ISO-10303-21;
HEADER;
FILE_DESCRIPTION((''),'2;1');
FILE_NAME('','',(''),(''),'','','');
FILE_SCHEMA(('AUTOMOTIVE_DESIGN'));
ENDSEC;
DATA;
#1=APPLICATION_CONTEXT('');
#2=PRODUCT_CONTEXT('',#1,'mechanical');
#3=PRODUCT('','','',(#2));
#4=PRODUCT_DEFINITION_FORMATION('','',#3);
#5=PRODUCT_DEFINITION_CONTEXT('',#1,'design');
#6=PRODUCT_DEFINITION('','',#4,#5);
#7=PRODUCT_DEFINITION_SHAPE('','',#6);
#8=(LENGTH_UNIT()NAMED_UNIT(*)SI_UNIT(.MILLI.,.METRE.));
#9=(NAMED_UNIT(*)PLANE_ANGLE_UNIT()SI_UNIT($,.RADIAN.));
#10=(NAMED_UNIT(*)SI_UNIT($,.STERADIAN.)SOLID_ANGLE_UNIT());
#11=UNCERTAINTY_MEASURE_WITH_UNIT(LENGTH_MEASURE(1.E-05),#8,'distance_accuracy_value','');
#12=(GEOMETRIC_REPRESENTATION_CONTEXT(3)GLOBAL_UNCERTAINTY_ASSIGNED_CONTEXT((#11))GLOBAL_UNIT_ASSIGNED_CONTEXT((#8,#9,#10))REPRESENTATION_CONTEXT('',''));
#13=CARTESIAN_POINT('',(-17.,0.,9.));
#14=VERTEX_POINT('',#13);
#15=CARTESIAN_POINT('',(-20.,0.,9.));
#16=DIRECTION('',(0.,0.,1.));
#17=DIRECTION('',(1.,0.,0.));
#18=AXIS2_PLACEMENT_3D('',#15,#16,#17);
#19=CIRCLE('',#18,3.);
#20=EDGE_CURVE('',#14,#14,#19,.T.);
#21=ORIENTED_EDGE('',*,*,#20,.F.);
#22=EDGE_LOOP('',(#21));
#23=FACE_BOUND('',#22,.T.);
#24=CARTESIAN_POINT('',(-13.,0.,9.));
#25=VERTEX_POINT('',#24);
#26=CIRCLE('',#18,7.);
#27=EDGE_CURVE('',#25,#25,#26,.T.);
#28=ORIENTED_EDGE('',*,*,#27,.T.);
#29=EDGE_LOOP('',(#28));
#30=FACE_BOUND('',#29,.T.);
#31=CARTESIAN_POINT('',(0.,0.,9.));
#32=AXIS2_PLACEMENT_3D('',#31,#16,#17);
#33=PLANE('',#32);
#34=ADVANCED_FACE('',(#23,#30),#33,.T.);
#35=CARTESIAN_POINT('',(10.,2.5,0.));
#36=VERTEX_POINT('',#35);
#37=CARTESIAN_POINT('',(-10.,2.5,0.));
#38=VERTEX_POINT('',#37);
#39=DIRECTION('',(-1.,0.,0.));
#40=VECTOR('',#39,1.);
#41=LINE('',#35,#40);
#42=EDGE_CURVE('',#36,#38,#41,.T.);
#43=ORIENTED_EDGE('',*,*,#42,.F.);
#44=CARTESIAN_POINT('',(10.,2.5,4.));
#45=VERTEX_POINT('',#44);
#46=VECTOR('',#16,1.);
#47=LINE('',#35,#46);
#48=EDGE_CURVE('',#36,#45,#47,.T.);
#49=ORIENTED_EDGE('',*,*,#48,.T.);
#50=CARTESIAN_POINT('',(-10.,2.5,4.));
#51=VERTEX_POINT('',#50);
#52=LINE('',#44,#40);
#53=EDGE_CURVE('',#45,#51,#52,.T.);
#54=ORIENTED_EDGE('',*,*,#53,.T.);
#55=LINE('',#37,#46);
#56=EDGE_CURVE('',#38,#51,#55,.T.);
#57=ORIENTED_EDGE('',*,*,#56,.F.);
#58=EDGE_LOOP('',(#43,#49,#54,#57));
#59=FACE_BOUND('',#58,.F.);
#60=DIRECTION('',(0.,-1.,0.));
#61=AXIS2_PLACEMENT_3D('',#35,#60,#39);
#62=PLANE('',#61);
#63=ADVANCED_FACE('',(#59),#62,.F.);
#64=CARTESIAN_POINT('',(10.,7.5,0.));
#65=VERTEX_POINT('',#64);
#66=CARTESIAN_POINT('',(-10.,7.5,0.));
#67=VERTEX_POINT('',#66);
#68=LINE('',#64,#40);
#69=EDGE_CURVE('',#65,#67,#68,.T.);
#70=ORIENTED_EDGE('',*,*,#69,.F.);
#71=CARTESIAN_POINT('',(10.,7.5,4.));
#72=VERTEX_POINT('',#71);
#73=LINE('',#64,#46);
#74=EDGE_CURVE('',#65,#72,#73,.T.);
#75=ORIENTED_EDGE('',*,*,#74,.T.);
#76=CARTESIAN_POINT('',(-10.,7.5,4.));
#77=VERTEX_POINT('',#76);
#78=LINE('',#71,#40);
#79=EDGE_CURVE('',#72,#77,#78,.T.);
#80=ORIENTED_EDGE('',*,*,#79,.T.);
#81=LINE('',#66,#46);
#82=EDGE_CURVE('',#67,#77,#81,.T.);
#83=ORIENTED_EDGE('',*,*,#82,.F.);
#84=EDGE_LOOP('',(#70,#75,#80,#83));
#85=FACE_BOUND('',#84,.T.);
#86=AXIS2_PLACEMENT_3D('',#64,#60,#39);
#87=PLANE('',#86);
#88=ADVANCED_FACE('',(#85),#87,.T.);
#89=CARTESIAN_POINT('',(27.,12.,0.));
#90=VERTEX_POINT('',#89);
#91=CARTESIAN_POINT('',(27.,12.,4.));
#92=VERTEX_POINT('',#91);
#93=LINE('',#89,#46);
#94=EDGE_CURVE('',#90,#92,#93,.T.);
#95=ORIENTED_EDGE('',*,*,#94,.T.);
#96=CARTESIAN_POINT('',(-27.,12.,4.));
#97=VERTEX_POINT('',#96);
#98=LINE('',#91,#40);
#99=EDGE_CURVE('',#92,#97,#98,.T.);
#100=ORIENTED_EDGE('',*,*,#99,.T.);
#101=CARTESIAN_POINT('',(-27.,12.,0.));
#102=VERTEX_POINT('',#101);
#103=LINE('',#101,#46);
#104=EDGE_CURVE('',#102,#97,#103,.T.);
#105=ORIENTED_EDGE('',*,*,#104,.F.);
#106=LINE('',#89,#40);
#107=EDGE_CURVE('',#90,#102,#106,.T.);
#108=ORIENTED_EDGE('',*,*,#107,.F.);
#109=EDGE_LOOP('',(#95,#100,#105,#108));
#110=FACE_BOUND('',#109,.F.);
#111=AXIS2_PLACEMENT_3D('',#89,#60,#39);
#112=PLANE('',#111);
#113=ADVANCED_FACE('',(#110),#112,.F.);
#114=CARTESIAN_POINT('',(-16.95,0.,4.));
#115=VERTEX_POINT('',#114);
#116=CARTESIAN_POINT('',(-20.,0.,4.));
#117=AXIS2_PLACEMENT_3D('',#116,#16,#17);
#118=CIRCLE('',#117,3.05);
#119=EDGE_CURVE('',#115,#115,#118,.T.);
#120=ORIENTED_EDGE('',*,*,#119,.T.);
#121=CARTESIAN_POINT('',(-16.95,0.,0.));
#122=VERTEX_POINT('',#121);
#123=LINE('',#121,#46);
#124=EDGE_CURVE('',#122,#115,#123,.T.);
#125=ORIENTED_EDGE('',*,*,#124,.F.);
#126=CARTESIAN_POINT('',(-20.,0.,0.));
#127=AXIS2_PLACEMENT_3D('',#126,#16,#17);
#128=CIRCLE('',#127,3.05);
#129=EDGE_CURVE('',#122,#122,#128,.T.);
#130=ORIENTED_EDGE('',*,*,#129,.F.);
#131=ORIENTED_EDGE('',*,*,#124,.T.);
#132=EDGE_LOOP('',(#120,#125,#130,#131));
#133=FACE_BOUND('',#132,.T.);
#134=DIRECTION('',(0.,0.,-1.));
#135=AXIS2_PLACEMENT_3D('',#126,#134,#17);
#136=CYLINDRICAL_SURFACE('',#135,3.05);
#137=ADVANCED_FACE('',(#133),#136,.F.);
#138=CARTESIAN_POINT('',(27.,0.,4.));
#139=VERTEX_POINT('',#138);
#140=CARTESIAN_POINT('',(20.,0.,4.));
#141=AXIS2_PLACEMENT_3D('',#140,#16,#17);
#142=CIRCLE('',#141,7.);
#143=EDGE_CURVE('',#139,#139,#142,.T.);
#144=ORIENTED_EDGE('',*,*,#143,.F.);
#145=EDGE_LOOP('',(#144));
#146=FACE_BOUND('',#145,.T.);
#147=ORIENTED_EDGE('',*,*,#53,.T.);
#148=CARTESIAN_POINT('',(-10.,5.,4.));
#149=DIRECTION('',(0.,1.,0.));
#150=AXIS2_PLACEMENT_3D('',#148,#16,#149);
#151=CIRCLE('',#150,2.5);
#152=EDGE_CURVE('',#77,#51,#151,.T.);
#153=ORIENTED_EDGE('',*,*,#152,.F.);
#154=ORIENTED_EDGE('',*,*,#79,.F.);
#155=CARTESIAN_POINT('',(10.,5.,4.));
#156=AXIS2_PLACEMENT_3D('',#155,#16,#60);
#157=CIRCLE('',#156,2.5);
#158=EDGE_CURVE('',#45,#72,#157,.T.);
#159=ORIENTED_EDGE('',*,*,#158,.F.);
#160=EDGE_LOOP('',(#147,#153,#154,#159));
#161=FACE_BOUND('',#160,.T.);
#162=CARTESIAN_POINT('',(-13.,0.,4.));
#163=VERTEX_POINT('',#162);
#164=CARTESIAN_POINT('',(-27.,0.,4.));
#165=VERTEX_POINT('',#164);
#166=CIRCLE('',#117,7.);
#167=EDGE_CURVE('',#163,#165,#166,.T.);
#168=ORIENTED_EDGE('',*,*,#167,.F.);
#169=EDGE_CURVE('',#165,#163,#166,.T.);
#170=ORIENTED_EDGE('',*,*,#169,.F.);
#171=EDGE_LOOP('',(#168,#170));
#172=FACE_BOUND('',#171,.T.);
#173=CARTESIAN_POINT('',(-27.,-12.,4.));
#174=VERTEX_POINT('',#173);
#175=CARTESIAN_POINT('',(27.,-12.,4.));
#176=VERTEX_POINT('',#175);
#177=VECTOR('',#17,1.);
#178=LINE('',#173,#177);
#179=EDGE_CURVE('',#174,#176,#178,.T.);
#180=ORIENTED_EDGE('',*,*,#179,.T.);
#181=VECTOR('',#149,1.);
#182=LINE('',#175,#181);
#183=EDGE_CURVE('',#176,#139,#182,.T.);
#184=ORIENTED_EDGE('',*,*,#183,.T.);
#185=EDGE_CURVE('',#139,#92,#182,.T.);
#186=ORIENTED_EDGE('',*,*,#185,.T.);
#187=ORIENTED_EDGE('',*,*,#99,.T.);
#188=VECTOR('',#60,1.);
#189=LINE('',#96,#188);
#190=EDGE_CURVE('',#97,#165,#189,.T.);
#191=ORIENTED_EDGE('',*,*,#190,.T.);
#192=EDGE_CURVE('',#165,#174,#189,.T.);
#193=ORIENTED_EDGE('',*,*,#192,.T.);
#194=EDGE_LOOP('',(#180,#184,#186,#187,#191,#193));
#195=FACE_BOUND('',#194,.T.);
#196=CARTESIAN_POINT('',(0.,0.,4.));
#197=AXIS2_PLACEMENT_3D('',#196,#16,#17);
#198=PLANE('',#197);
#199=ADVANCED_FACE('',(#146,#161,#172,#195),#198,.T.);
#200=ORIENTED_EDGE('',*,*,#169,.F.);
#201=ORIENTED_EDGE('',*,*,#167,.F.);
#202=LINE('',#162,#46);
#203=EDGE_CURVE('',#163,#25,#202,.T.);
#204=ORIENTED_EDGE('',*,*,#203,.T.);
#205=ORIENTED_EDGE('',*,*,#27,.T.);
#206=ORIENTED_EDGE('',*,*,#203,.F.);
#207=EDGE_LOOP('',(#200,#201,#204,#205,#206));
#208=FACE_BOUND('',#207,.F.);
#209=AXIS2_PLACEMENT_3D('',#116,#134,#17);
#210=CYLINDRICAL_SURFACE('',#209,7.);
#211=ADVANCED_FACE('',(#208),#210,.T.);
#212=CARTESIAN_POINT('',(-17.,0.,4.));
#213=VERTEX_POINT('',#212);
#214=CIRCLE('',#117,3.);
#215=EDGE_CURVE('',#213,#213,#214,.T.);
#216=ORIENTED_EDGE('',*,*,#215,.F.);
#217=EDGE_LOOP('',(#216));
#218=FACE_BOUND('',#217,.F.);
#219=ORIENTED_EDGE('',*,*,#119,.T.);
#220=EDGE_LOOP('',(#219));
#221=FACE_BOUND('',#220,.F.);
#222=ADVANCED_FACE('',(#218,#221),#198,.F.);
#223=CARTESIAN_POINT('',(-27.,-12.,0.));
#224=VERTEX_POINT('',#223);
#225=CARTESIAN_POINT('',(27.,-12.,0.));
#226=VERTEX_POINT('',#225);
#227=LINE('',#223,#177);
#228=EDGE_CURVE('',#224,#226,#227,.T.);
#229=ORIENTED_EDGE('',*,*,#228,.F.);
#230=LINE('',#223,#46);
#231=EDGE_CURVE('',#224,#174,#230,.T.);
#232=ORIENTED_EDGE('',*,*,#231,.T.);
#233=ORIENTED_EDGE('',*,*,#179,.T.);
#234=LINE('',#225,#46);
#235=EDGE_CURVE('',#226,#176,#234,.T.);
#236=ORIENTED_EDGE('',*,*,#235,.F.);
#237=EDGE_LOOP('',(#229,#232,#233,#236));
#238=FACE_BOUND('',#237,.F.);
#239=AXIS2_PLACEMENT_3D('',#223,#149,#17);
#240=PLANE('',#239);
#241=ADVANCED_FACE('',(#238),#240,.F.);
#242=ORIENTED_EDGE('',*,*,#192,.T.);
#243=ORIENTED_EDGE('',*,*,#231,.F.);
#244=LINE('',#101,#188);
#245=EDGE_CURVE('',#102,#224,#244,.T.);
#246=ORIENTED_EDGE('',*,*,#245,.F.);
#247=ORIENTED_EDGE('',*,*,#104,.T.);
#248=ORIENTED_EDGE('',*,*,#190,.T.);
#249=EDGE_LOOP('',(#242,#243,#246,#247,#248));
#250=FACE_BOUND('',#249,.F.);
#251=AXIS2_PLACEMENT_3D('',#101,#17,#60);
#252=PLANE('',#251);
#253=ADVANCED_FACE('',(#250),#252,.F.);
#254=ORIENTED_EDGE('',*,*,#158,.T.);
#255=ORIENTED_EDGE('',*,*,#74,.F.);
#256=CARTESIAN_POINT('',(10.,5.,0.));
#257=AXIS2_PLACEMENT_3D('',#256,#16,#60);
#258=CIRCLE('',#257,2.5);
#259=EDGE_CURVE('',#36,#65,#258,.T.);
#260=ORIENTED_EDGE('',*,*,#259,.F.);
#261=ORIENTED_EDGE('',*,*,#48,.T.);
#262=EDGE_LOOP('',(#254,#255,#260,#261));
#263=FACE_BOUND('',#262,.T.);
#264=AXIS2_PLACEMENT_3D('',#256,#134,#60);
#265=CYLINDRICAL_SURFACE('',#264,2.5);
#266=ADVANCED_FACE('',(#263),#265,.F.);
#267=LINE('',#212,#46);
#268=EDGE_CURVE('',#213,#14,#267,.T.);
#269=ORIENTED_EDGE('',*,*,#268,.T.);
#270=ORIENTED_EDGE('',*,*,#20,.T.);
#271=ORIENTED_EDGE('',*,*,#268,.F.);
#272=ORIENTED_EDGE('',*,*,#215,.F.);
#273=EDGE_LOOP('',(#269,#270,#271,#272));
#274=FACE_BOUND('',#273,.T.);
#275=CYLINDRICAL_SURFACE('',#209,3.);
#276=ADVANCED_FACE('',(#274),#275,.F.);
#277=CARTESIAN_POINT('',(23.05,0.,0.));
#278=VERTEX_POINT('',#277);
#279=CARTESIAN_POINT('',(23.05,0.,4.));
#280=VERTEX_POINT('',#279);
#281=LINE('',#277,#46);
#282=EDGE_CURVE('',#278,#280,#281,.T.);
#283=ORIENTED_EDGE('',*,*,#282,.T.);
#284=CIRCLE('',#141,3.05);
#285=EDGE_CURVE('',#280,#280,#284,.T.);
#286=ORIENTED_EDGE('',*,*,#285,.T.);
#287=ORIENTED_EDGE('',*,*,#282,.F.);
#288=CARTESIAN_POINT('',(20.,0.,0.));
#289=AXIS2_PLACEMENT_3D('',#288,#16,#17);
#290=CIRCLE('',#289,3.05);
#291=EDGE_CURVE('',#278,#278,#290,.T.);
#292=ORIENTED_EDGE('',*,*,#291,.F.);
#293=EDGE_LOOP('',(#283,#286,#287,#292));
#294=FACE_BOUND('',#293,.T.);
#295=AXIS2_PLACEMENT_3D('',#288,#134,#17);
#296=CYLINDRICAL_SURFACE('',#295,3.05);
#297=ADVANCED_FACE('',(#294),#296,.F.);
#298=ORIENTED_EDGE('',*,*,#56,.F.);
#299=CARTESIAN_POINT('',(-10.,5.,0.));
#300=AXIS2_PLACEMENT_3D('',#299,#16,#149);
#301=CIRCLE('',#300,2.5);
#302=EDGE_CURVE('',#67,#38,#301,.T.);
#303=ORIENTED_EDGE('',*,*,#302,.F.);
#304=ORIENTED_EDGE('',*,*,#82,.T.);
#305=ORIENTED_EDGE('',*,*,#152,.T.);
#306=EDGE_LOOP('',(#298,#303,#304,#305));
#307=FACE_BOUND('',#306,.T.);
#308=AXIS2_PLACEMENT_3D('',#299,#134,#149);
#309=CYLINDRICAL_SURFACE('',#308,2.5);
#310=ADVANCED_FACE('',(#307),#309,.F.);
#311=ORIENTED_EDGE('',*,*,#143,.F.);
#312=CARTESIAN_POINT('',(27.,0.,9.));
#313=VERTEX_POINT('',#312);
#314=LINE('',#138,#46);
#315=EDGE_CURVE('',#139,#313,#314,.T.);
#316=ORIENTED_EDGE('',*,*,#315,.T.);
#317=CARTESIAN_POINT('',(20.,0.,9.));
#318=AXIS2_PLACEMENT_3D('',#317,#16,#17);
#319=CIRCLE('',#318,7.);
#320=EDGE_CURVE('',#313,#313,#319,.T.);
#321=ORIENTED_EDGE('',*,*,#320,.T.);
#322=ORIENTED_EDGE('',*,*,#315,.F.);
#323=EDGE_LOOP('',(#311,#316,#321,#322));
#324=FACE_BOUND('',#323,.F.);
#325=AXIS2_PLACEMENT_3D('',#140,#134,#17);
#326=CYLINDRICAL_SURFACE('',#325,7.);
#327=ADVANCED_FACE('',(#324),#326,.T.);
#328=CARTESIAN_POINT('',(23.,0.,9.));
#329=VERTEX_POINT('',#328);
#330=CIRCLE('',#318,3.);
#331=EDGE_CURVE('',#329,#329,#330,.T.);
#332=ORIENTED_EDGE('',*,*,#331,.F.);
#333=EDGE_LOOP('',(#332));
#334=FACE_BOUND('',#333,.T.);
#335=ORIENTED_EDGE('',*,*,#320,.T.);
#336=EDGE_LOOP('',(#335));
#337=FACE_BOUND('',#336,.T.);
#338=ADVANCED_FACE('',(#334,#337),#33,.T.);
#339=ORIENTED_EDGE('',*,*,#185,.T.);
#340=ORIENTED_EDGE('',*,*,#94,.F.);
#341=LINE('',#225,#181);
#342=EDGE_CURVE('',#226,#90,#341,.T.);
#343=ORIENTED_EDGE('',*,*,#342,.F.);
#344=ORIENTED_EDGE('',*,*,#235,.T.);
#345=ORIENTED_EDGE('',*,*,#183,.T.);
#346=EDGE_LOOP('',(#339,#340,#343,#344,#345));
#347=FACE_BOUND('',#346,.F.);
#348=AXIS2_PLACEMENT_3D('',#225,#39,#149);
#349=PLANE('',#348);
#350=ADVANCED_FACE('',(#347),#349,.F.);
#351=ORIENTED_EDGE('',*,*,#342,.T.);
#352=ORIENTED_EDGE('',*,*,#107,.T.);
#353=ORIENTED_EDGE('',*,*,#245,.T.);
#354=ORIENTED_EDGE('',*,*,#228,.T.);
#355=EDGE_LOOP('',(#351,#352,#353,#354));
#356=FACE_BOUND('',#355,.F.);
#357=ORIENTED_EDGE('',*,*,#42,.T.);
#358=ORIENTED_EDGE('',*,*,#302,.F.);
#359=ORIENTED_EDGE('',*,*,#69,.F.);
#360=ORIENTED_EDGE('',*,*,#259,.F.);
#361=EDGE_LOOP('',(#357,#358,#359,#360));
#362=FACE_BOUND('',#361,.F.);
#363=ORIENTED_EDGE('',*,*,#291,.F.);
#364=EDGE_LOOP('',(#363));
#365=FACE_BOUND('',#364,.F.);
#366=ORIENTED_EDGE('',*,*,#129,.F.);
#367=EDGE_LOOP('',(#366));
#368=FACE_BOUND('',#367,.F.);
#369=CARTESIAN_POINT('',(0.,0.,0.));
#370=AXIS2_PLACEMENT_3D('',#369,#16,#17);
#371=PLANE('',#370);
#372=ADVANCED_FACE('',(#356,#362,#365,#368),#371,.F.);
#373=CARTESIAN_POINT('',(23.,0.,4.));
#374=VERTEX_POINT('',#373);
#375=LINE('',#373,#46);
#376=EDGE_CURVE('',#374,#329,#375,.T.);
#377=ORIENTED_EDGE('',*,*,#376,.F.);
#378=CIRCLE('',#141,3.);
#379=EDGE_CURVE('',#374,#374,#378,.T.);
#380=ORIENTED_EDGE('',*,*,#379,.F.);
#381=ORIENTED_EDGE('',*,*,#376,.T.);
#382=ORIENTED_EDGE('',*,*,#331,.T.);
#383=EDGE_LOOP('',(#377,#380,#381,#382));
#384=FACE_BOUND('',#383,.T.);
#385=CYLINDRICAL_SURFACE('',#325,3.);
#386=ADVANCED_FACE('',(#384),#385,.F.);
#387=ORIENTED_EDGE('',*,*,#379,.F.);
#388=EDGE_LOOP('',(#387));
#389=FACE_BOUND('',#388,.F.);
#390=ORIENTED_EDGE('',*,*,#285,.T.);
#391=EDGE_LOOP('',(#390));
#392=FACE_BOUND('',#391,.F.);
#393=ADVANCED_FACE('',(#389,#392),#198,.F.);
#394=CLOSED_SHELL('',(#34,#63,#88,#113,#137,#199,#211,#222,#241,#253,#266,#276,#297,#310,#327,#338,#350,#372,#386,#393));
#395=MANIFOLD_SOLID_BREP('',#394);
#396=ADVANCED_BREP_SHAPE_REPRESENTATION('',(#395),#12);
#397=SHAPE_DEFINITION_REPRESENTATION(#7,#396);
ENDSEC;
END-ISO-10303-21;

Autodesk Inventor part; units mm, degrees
ref_plane "YZ Plane" through (0, 0, 0) normal (1, 0, 0) x (0, 1, 0)
ref_plane "XZ Plane" through (0, 0, 0) normal (0, 1, 0) x (-1, 0, 0)
sketch "Skizze1" plane through (0, 0, 0) normal (0, 0, 1) x (1, 0, 0)
  line L0 (-27, -12) -> (27, -12)
  line L1 (27, -12) -> (27, 12)
  line L2 (27, 12) -> (-27, 12)
  line L3 (-27, 12) -> (-27, -12)
  circle A0 centre (-20, 0) radius 3.05
  circle A1 centre (20, 0) radius 3.05
  arc A2 (-10, 7.5) -> (-10, 2.5) centre (-10, 5) ccw
  arc A3 (10, 2.5) -> (10, 7.5) centre (10, 5) ccw
  line L4 (10, 2.5) -> (-10, 2.5)
  line L5 (10, 7.5) -> (-10, 7.5)
  point P0 (0, 0)
  dimension "d0" = 54
  dimension "d1" = 24
  dimension "d3" = 27
  dimension "d4" = 6.1
  dimension "d5" = 20
  dimension "d6" = 12
  dimension "d7" = 20
  dimension "d8" = 6.1
  dimension "d9" = 12
  dimension "d26" = 4.5
  dimension "d27" = 14.5
  dimension "d28" = 2.5
  dimension "d29" = 20
  dimension "d30" = 10
  dimension "d31" = 12
ref_plane "Arbeitsebene1" through (0, 0, 4) normal (0, 0, 1) x (1, 0, 0)
sketch "Skizze2" plane through (0, 0, 4) normal (0, 0, 1) x (1, 0, 0)
  circle A0 centre (-20, 0) radius 3 projected
  circle A1 centre (20, 0) radius 3 projected
  circle A2 centre (-20, 0) radius 7
  circle A3 centre (-20, 0) radius 3.05
  circle A4 centre (20, 0) radius 3.05
  circle A5 centre (20, 0) radius 7
  point P0 (0, 0)
  dimension "d12" = 6.1
  dimension "d13" = 14
  dimension "d14" = 6.1
  dimension "d15" = 14
extrude "Extrusion2" add sketch "Skizze2" along normal blind 5 contours A2 | A3 | A4 | A5
extrude "Extrusion3" add sketch "Skizze1" along normal blind 4
properties part number "B Montageplatte"
